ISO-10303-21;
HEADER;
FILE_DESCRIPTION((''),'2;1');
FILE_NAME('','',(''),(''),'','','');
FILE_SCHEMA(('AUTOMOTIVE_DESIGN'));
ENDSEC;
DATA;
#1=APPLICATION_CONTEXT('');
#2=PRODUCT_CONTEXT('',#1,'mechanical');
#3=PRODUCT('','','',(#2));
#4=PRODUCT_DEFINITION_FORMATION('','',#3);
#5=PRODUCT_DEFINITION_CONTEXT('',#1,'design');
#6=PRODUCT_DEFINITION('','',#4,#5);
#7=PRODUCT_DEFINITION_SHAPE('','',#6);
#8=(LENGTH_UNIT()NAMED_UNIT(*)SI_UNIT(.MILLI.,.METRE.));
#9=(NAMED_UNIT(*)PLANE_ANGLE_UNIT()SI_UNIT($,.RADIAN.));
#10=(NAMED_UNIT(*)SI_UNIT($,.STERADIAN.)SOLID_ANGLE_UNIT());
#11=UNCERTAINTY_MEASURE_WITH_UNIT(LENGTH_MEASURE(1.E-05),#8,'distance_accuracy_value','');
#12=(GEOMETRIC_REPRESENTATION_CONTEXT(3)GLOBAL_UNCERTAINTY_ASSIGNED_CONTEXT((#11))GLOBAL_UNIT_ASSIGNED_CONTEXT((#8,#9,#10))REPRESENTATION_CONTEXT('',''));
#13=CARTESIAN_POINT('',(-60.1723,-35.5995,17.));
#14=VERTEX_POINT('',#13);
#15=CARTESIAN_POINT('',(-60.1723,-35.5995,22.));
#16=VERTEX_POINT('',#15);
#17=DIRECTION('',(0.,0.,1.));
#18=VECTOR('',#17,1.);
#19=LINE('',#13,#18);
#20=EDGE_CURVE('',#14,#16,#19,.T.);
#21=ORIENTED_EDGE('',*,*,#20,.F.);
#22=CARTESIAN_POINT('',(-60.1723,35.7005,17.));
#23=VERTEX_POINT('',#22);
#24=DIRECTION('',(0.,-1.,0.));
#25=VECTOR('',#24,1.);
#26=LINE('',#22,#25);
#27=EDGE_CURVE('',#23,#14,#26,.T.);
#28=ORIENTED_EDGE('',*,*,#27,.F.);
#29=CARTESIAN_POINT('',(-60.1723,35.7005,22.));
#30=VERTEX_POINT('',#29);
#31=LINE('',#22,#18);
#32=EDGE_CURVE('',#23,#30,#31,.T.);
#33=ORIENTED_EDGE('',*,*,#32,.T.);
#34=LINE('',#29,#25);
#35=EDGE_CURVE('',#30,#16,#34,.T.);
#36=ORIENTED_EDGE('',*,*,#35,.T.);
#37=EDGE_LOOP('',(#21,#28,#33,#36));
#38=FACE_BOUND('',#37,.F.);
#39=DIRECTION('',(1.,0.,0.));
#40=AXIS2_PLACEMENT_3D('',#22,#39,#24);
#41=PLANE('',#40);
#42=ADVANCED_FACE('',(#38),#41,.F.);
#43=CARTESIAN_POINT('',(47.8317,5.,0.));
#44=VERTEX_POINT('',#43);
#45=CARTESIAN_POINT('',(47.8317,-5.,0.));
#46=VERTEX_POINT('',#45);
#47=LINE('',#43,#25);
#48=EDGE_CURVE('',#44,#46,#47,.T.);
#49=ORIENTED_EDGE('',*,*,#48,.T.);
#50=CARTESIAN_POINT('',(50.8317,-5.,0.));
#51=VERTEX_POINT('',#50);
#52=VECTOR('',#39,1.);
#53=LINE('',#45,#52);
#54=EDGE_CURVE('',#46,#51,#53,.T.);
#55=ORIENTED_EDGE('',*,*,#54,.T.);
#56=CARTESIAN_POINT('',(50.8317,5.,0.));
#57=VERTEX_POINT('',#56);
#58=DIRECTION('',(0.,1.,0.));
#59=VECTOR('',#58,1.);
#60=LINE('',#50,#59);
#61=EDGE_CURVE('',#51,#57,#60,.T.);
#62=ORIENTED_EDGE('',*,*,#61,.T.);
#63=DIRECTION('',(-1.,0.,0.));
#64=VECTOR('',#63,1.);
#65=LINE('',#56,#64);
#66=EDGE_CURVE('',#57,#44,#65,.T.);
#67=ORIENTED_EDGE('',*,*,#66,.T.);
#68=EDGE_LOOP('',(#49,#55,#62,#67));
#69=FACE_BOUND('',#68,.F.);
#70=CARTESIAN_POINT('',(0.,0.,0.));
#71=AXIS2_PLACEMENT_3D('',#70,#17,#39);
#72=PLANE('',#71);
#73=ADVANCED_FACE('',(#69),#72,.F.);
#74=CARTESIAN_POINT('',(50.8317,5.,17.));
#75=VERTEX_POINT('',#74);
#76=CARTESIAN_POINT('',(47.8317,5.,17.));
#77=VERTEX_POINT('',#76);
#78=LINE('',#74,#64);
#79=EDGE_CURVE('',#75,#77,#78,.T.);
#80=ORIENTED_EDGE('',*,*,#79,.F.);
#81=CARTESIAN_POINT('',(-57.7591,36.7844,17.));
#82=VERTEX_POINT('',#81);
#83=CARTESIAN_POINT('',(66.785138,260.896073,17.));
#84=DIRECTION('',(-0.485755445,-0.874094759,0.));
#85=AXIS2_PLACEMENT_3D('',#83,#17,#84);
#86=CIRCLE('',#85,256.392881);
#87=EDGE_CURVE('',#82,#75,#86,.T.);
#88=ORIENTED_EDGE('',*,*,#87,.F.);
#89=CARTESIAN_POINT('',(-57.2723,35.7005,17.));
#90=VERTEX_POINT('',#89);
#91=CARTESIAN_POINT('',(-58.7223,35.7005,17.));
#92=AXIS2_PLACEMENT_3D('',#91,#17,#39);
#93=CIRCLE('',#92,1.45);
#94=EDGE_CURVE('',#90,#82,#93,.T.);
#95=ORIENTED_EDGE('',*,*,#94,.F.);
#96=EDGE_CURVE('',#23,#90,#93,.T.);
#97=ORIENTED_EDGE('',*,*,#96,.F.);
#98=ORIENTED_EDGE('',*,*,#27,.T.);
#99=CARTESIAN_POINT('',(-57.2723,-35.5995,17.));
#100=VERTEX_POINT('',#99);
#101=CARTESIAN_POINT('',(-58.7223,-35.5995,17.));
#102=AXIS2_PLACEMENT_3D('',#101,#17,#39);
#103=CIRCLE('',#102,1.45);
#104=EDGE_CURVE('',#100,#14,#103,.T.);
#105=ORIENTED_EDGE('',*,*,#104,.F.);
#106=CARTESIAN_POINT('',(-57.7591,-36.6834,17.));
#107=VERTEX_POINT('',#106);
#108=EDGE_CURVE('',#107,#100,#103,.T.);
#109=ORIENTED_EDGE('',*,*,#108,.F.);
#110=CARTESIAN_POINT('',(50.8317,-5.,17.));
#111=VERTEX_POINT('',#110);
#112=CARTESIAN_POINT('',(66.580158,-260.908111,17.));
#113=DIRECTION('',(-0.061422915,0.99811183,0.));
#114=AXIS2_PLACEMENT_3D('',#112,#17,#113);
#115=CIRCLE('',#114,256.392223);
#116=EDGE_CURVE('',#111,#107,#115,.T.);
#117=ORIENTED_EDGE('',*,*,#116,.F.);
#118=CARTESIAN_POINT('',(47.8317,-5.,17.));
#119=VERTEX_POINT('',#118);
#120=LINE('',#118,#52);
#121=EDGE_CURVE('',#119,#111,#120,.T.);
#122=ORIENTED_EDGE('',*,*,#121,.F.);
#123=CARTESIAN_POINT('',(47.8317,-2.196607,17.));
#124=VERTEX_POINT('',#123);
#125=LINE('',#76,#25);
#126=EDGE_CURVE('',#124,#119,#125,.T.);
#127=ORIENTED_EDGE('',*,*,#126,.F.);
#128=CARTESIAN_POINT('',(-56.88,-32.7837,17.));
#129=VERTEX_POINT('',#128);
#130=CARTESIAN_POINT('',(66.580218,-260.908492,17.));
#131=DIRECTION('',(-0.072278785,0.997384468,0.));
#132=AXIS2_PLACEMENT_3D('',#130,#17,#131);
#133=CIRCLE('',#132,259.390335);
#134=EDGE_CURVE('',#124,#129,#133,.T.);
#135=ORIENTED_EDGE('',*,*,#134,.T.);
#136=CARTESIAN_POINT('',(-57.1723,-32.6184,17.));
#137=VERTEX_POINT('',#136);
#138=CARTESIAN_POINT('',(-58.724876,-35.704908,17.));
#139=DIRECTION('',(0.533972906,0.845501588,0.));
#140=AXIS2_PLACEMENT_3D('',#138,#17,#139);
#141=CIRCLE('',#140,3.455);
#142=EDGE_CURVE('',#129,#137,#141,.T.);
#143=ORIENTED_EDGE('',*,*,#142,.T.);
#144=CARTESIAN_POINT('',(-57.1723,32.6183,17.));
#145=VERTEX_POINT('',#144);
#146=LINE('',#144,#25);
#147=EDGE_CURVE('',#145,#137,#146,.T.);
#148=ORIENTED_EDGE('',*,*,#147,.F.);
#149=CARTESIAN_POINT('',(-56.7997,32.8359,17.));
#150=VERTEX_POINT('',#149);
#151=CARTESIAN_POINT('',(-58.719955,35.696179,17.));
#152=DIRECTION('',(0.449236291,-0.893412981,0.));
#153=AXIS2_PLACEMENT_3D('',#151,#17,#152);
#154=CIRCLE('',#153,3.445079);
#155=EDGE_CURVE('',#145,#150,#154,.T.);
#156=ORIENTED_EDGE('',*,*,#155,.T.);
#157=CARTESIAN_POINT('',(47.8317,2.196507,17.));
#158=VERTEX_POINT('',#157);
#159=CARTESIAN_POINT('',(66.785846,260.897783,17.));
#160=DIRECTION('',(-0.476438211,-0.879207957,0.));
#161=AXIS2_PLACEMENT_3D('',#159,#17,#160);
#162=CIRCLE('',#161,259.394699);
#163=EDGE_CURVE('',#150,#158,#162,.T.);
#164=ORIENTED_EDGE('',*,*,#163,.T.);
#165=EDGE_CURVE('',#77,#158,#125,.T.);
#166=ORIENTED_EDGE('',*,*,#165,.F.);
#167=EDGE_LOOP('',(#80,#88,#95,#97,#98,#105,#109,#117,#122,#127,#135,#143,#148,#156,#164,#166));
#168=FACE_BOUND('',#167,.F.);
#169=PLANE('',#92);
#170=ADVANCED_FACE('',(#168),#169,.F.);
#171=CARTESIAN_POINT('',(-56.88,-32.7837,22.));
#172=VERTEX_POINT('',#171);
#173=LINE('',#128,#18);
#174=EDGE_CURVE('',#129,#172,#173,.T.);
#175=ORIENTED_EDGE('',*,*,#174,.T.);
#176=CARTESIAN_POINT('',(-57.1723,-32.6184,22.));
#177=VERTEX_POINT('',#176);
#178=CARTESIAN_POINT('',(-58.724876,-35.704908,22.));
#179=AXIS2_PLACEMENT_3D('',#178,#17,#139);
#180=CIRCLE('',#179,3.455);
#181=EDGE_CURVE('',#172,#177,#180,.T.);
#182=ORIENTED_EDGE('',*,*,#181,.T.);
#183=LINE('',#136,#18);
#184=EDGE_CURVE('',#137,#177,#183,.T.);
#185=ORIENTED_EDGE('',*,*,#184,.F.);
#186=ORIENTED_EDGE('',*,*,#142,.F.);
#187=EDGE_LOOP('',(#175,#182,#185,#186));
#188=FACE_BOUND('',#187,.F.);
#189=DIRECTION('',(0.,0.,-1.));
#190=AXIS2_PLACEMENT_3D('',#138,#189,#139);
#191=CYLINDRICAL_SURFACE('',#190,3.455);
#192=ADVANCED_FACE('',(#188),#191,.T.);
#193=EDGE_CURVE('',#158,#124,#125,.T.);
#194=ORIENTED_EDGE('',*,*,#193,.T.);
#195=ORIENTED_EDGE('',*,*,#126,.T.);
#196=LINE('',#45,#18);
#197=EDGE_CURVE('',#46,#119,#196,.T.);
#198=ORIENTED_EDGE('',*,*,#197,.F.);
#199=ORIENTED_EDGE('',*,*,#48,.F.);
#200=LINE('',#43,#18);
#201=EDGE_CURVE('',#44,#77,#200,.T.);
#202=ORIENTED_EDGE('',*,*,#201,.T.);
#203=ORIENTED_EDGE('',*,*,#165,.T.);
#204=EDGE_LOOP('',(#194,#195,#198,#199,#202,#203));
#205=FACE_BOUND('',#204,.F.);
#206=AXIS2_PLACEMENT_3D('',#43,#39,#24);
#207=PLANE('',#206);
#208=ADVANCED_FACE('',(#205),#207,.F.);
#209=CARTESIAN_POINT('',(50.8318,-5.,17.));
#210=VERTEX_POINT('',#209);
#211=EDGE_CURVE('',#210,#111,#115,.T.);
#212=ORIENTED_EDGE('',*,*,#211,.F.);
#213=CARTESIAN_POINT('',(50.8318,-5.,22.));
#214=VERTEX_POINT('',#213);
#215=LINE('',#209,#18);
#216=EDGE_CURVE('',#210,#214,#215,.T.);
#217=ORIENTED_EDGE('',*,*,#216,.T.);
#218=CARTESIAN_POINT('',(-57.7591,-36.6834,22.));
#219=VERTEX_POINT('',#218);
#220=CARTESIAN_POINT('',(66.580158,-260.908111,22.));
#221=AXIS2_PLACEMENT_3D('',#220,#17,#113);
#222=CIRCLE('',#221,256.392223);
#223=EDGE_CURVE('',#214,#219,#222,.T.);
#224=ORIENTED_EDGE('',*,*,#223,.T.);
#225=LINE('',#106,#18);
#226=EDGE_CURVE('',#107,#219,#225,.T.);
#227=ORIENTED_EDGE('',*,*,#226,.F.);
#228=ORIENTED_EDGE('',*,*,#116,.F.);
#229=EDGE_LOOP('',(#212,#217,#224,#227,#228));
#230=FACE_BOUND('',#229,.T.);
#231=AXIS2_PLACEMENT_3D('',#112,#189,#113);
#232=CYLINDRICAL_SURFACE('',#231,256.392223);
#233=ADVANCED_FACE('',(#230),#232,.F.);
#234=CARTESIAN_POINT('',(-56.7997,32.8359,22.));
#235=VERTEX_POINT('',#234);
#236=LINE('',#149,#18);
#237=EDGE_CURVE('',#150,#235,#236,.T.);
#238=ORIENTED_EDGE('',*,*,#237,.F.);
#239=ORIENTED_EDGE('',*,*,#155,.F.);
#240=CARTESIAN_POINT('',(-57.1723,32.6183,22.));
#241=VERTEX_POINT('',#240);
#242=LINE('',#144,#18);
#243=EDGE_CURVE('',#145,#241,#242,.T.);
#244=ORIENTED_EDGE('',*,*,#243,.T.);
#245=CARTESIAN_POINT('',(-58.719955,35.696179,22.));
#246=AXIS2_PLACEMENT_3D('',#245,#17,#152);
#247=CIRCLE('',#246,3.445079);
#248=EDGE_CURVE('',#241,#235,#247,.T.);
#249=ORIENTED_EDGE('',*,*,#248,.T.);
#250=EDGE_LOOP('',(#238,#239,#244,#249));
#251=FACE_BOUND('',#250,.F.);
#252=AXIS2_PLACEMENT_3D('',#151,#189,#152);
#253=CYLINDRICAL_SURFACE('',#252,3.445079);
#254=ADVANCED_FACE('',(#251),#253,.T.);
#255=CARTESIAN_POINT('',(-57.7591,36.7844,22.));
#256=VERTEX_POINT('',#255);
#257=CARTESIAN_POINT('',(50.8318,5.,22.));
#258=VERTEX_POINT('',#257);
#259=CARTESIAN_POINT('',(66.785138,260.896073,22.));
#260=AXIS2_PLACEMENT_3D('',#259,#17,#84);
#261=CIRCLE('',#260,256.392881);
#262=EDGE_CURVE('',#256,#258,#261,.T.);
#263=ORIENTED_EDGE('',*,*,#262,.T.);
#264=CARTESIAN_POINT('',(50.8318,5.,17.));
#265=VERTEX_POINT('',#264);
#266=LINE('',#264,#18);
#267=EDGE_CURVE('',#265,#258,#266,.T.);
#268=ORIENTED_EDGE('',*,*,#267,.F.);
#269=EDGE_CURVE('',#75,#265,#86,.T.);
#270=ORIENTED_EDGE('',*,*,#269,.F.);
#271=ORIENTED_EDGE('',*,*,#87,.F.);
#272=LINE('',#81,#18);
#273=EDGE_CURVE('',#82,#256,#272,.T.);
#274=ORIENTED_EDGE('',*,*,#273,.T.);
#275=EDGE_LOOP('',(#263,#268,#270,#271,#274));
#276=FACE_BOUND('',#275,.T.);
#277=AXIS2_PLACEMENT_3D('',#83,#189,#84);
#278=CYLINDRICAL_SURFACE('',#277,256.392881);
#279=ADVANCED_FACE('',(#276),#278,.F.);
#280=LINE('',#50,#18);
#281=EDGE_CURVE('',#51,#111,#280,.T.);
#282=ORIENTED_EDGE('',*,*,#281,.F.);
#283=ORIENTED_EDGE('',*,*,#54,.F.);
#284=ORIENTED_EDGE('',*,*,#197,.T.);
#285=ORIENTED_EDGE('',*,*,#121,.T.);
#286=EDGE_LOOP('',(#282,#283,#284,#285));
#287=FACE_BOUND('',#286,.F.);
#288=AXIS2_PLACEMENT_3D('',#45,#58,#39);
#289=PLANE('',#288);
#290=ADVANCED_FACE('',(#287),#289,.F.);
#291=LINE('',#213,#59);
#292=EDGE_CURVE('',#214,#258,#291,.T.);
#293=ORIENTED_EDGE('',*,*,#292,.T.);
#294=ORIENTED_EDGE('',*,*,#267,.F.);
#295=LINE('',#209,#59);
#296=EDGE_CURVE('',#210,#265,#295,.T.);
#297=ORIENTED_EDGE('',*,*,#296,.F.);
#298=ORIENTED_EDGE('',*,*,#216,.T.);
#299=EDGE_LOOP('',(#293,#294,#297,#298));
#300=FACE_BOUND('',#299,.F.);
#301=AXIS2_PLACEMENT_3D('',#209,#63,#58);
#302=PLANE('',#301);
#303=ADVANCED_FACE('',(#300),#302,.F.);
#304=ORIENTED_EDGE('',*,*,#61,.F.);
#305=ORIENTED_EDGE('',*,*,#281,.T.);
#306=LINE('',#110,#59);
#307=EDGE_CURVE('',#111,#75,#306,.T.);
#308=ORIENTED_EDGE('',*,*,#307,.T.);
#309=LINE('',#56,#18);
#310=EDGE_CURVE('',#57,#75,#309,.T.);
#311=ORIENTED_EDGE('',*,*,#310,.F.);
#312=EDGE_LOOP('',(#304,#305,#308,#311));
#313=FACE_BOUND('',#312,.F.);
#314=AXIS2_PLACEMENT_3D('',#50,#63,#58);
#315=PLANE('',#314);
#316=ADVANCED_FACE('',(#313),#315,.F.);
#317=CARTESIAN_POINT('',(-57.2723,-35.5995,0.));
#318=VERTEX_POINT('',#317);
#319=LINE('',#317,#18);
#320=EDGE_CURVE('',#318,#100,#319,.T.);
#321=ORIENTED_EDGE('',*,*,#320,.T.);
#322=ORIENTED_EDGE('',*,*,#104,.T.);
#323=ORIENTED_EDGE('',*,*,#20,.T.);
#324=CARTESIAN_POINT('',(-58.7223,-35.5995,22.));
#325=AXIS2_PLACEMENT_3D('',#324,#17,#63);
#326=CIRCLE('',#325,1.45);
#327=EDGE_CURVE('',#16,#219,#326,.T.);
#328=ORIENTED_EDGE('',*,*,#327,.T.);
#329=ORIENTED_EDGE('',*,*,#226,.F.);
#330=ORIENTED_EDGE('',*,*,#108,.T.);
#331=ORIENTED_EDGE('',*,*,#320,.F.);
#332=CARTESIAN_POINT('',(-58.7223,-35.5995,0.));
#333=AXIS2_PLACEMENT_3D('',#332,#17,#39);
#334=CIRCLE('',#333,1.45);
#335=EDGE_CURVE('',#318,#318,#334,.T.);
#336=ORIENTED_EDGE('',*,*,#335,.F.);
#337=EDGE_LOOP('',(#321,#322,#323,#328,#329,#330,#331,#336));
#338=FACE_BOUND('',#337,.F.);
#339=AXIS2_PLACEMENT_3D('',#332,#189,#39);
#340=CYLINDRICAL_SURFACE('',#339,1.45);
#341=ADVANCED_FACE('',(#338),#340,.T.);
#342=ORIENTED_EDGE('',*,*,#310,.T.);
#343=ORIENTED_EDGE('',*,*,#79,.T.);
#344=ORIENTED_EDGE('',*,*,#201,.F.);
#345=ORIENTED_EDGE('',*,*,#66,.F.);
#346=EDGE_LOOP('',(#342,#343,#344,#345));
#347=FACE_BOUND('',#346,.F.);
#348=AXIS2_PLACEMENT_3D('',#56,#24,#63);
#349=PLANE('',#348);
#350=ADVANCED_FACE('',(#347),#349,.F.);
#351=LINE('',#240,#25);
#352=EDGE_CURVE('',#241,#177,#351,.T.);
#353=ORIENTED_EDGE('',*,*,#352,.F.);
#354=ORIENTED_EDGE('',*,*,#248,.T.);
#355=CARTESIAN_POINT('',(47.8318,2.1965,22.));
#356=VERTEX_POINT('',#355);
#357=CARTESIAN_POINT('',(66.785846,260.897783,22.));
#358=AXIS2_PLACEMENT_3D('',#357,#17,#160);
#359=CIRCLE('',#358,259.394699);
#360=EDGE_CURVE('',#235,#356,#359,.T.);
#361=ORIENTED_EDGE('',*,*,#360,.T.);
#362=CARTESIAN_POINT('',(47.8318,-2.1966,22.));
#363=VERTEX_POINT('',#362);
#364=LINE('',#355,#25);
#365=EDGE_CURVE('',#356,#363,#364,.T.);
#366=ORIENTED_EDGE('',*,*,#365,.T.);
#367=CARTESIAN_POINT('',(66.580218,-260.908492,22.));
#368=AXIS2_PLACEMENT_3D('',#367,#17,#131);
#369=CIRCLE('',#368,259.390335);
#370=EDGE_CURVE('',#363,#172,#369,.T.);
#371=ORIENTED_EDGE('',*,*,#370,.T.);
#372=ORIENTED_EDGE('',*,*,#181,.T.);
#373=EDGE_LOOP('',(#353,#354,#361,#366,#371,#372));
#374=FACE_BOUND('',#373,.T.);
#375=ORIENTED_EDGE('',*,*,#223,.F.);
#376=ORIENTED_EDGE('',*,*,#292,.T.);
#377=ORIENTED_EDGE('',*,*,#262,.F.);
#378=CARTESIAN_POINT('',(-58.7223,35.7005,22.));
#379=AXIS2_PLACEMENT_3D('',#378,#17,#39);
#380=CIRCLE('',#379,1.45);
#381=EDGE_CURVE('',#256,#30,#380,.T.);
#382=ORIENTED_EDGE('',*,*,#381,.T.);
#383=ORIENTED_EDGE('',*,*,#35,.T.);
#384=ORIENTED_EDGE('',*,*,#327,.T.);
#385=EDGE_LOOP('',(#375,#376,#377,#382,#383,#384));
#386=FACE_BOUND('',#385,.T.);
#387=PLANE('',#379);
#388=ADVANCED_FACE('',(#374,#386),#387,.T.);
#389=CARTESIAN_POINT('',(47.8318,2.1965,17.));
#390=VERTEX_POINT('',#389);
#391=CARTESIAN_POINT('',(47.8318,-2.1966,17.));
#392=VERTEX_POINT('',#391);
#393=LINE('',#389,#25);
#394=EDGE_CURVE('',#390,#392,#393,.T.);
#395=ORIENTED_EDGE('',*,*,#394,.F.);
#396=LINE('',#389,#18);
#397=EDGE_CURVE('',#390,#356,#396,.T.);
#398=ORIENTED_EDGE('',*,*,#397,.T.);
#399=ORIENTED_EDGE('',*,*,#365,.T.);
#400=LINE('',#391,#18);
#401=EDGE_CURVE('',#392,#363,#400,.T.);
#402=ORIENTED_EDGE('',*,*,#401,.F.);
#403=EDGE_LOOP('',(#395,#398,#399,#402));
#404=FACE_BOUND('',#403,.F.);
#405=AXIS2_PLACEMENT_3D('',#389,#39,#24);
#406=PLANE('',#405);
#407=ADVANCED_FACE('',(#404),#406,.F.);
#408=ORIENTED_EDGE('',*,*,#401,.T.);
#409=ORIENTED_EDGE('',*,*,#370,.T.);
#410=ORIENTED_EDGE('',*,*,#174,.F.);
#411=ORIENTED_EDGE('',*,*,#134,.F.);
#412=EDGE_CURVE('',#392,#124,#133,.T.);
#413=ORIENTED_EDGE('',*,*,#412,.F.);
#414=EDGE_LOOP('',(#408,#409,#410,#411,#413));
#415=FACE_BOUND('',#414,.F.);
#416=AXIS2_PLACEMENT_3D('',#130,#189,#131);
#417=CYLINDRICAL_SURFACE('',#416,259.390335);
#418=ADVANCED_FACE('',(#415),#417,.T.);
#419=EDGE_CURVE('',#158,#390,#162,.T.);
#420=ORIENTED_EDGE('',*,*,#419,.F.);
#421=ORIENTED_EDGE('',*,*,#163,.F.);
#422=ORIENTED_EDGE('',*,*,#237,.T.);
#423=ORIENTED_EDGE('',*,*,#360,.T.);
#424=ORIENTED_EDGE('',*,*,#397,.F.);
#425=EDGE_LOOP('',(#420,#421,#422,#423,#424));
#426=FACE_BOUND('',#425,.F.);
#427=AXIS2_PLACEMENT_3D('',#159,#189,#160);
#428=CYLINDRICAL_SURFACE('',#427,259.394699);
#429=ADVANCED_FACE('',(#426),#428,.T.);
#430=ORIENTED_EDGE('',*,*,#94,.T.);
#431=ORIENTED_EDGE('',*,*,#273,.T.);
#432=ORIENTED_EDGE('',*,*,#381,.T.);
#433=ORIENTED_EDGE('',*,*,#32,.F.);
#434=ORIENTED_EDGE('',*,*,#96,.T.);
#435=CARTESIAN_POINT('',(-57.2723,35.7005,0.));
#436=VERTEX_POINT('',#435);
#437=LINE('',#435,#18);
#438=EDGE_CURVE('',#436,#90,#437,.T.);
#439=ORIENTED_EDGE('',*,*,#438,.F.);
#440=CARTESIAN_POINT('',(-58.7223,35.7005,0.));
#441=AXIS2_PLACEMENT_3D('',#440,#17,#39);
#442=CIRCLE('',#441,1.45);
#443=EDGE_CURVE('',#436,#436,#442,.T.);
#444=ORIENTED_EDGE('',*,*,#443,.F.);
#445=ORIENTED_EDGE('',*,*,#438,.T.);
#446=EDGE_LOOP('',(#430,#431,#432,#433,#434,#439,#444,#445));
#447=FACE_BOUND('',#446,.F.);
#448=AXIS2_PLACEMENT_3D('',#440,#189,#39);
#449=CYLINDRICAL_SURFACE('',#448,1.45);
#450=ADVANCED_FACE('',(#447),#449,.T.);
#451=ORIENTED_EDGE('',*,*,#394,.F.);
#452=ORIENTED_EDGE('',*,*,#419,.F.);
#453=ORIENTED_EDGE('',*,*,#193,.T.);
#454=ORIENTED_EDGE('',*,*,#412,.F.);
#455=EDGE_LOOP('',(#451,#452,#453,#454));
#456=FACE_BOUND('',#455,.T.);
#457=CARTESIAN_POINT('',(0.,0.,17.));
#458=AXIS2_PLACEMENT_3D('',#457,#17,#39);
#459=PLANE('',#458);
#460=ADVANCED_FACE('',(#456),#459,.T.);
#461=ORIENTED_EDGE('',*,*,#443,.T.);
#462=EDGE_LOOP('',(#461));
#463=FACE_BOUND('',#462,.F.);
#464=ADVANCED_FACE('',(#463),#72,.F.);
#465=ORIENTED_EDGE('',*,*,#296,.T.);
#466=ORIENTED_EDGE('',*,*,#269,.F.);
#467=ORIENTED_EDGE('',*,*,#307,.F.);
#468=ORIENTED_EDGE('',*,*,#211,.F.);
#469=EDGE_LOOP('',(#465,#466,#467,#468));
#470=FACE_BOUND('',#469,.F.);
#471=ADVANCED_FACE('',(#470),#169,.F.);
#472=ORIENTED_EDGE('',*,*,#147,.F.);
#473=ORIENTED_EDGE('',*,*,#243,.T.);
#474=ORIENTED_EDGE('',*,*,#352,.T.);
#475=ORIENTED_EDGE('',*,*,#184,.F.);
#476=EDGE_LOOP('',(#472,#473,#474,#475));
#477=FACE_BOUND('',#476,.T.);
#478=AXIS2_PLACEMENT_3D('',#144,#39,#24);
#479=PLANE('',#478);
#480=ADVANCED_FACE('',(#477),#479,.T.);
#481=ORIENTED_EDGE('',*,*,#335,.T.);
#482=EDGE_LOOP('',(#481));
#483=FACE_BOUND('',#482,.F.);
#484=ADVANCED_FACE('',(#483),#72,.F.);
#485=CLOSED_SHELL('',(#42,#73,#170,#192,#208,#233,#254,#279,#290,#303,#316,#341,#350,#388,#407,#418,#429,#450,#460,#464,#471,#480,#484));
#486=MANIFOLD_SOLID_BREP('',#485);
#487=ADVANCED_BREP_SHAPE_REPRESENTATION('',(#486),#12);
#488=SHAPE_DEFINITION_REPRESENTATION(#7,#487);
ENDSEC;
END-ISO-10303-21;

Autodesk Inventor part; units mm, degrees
ref_plane "YZ Plane" through (0, 0, 0) normal (1, 0, 0) x (0, 1, 0)
ref_plane "XZ Plane" through (0, 0, 0) normal (0, 1, 0) x (-1, 0, 0)
ref_plane "XY Plane" through (0, 0, 0) normal (0, 0, 1) x (1, 0, 0)
sketch "Náčrt1" plane through (0, 0, 0) normal (0, 0, 1) x (1, 0, 0)
  line L0 (47.8317, -5) -> (50.8317, -5)
  line L1 (50.8317, -5) -> (50.8317, 5)
  line L2 (50.8317, 5) -> (47.8317, 5)
  line L3 (47.8317, 5) -> (47.8317, -5)
  line L4 (47.8317, -5) -> (50.8317, 5) construction
  line L5 (50.8317, -5) -> (47.8317, 5) construction
  circle A0 centre (-58.7223, 35.7005) radius 1.45
  circle A1 centre (-58.7223, -35.5995) radius 1.45
  point P0 (0, 0)
  point P1 (50.8317, 0)
  point P2 (-60.1683, 0.0505)
  dimension "d7" = 10
  dimension "d8" = 5
  dimension "d13" = 2.9
  dimension "d14" = 74.2
extrude "Vysunutí1" add sketch "Náčrt1" along normal blind 17
sketch "Náčrt2" plane through (-58.7223, 35.7005, 17) normal (0, 0, 1) x (1, 0, 0)
  circle A0 centre (0, 0) radius 1.45 projected
  line L0 (109.5541, -40.7005) -> (109.5541, -30.7005) projected
  arc A1 (0.9632, 1.0839) -> (109.5541, -30.7005) centre (125.5077, 225.1962) ccw
  circle A2 centre (0, -71.3) radius 1.45 projected
  line L1 (-1.45, 0) -> (-1.45, -71.3)
  arc A3 (109.5541, -40.7005) -> (0.9632, -72.3839) centre (125.3027, -296.61) ccw
  arc A4 (1.55, -3.0822) -> (1.9226, -2.8646) centre (0, 0) ccw
  line L2 (106.5541, -33.504) -> (106.5541, -37.8971)
  arc A5 (106.5541, -37.8971) -> (1.8423, -68.4842) centre (125.3027, -296.61) ccw
  arc A6 (1.8423, -68.4842) -> (1.55, -68.3189) centre (0, -71.4011) ccw
  line L3 (106.5541, -37.8971) -> (106.5541, -33.504)
  line L4 (1.55, -3.0822) -> (1.55, -68.3189)
  arc A7 (1.9226, -2.8646) -> (106.5541, -33.504) centre (125.5077, 225.1962) ccw
  line L5 (109.5541, -30.7005) -> (109.5541, -40.7005)
  arc A8 (0.4127, -72.69) -> (0.9632, -72.3839) centre (0, -71.3) ccw
  arc A9 (0.9632, 1.0839) -> (-1.45, 0) centre (0, 0) ccw
  arc A10 (0.9632, 1.0839) -> (-1.45, 0) centre (0, 0) ccw
  arc A11 (-1.45, -71.3) -> (0.9632, -72.3839) centre (0, -71.3) ccw
  point P0 (58.7223, -35.7005)
  point P1 (3.4391, -0.2742)
  point P2 (-1.45, -3.1305)
  point P3 (3.4391, -71.1268)
  point P4 (-1.45, -68.2706)
  point P5 (109.5541, -35.7005)
  point P6 (106.5541, -35.7005)
  dimension "d20" = 2
  dimension "d23" = 3
extrude "Vysunutí2" add sketch "Náčrt2" along normal blind 5
properties part number "drzak_baterie"
